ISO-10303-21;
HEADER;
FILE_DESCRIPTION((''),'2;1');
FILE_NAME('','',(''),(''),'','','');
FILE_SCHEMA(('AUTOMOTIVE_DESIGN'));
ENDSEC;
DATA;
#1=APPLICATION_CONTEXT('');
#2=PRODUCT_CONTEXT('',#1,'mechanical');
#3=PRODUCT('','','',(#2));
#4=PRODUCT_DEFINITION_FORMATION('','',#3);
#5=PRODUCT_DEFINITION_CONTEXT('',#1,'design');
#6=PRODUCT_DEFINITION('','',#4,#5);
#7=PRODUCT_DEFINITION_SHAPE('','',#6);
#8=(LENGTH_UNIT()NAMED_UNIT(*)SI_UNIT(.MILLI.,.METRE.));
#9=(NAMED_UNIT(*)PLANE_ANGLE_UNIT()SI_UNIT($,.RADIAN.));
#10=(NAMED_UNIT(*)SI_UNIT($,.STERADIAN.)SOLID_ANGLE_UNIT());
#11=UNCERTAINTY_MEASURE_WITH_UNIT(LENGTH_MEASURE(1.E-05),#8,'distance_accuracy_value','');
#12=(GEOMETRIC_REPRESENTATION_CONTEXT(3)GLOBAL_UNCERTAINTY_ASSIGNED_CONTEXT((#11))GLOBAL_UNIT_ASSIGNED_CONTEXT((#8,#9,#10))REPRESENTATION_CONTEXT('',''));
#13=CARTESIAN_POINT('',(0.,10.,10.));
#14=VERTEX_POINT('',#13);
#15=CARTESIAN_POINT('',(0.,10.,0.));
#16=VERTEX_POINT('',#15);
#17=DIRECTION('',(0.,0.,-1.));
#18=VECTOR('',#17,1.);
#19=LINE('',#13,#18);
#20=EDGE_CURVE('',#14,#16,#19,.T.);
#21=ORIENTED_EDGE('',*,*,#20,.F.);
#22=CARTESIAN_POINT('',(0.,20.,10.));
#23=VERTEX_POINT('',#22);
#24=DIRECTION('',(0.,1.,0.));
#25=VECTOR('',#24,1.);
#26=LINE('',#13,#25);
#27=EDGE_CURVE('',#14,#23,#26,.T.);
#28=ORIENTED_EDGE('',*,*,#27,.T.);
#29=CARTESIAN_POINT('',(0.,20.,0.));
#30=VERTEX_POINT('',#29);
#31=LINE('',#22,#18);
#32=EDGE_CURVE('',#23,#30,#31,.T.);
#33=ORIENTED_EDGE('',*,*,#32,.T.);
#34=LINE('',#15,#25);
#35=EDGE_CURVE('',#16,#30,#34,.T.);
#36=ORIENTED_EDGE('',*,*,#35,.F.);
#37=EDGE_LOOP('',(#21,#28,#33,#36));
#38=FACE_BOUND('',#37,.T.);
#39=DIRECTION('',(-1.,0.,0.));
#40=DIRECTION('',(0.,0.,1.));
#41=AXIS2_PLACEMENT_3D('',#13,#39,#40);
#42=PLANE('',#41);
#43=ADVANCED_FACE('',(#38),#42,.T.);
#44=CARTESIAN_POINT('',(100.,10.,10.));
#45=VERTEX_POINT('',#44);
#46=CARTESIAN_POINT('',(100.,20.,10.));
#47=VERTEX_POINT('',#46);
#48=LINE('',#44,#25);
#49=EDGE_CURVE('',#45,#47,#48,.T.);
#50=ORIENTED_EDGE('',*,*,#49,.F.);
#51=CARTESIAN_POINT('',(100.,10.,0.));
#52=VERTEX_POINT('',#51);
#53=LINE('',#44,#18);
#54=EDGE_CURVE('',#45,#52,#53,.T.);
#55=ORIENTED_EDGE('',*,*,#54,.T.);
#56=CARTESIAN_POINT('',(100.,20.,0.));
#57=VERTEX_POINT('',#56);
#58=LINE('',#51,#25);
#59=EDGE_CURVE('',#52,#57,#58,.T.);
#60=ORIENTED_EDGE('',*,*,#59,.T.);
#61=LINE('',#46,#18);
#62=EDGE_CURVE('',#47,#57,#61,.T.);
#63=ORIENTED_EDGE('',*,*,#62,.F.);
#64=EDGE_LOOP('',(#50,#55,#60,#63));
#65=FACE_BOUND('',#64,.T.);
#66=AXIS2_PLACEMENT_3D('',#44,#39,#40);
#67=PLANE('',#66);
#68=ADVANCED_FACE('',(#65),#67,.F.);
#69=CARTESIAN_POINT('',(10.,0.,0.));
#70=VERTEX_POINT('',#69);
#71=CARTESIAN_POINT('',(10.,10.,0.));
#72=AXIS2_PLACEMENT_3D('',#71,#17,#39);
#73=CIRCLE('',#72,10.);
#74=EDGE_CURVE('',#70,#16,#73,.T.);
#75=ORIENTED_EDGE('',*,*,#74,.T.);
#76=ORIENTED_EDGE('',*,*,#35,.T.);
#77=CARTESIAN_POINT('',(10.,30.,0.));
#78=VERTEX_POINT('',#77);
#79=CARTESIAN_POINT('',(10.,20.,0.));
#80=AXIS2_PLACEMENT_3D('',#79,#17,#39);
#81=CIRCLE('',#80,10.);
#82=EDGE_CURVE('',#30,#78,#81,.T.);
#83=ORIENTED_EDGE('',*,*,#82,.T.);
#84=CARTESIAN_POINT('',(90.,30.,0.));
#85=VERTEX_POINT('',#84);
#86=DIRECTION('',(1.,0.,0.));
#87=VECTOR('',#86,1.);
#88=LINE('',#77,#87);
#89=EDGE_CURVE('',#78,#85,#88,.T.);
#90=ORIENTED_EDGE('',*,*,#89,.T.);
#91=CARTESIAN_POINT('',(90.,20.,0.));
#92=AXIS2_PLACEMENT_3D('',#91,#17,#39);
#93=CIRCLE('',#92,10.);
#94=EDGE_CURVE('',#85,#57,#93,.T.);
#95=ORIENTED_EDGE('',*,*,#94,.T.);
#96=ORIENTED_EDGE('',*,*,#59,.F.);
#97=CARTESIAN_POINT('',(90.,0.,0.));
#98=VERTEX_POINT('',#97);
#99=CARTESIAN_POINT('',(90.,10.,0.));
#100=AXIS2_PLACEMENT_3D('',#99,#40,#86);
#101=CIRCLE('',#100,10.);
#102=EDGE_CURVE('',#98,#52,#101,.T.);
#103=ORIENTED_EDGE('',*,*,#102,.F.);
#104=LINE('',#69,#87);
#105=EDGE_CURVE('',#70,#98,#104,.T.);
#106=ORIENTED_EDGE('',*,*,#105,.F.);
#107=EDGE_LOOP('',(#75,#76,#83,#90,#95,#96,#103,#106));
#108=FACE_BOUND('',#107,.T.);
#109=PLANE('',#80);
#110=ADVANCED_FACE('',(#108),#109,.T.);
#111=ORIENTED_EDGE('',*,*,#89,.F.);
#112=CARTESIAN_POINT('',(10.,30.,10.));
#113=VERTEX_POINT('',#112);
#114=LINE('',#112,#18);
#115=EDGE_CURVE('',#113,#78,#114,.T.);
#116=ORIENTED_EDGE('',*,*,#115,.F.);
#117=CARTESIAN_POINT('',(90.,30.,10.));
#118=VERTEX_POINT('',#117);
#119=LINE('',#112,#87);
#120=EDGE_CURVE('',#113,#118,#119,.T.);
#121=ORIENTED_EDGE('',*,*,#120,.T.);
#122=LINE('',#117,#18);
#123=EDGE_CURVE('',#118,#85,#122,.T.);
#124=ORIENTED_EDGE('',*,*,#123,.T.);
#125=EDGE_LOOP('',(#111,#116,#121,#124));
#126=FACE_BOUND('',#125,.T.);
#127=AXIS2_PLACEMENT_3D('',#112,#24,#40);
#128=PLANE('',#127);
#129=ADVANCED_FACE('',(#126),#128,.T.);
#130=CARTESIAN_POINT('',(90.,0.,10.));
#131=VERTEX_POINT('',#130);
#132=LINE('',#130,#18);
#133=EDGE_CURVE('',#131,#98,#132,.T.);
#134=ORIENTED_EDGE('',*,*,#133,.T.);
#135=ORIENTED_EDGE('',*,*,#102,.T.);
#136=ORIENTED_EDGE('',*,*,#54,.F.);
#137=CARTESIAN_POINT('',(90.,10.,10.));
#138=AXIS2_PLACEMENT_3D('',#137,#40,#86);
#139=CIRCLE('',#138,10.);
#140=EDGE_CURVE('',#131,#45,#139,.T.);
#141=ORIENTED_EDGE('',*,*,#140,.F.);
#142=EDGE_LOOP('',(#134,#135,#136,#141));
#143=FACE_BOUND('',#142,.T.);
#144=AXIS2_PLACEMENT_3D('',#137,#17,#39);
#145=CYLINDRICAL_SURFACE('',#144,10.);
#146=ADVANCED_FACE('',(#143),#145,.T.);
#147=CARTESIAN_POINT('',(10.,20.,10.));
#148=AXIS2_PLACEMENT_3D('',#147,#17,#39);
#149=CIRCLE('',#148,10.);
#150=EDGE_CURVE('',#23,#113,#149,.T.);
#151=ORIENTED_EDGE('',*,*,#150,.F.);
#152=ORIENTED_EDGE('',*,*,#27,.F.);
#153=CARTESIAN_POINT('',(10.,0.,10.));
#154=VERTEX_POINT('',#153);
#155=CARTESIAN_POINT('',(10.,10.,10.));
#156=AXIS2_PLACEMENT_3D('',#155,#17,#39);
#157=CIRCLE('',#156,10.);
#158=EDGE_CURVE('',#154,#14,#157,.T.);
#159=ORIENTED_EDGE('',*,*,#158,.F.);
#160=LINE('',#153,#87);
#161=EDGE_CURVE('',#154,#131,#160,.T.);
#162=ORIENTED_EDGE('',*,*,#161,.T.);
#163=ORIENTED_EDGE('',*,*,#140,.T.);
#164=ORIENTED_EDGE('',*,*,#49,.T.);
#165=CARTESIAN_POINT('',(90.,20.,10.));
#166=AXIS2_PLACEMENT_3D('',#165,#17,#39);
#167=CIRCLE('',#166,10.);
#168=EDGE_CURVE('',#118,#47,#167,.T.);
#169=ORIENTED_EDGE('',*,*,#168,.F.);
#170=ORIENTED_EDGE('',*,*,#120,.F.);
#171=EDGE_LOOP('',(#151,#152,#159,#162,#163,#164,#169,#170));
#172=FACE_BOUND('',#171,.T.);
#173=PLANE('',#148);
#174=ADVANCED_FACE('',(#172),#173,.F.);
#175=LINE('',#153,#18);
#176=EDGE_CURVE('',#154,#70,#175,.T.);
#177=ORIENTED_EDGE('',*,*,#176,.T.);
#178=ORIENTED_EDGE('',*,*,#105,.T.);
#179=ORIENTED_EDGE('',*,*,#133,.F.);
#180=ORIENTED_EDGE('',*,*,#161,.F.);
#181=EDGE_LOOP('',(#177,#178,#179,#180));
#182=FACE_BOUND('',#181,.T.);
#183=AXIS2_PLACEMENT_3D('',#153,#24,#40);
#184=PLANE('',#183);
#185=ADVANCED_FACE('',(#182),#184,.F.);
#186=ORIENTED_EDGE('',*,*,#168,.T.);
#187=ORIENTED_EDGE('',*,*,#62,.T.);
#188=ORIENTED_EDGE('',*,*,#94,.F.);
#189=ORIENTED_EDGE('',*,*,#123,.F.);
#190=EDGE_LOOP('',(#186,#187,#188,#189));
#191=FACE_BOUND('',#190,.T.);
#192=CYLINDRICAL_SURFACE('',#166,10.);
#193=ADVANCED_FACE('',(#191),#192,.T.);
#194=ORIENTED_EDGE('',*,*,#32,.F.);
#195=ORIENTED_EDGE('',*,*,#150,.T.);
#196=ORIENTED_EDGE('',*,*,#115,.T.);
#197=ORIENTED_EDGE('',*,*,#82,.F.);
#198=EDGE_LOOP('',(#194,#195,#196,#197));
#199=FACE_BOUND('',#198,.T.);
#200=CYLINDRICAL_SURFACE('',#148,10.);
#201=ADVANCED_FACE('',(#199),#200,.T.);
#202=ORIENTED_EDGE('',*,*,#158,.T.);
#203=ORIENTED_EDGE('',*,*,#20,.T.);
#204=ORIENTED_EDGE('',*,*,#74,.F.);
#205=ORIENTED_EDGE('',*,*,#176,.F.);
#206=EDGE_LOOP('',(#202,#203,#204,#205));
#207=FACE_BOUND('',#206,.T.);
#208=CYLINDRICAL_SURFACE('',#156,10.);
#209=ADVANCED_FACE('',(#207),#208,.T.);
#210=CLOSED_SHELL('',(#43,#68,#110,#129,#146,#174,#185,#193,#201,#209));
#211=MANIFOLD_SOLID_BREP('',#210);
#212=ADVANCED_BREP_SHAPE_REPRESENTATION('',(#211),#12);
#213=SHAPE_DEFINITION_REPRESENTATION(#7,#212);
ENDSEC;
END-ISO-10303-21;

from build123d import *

# Parameters (mm, degrees)
BOSS_EXTRUDE1_DEPTH = 10


with BuildPart() as part:
    # Sketch2 → Boss-Extrude1 (new body)
    with BuildSketch(Plane.XY):
        with BuildLine():
            Line((10, 0), (90, 0))
            ThreePointArc((90, 0), (97.071067812, 2.928932188), (100, 10))
            Line((100, 10), (100, 20))
            ThreePointArc((100, 20), (97.071067812, 27.071067812), (90, 30))
            Line((90, 30), (10, 30))
            ThreePointArc((10, 30), (2.928932188, 27.071067812), (0, 20))
            Line((0, 20), (0, 10))
            ThreePointArc((0, 10), (2.928932188, 2.928932188), (10, 0))
        make_face()
    extrude(amount=BOSS_EXTRUDE1_DEPTH)


solid = part.part
